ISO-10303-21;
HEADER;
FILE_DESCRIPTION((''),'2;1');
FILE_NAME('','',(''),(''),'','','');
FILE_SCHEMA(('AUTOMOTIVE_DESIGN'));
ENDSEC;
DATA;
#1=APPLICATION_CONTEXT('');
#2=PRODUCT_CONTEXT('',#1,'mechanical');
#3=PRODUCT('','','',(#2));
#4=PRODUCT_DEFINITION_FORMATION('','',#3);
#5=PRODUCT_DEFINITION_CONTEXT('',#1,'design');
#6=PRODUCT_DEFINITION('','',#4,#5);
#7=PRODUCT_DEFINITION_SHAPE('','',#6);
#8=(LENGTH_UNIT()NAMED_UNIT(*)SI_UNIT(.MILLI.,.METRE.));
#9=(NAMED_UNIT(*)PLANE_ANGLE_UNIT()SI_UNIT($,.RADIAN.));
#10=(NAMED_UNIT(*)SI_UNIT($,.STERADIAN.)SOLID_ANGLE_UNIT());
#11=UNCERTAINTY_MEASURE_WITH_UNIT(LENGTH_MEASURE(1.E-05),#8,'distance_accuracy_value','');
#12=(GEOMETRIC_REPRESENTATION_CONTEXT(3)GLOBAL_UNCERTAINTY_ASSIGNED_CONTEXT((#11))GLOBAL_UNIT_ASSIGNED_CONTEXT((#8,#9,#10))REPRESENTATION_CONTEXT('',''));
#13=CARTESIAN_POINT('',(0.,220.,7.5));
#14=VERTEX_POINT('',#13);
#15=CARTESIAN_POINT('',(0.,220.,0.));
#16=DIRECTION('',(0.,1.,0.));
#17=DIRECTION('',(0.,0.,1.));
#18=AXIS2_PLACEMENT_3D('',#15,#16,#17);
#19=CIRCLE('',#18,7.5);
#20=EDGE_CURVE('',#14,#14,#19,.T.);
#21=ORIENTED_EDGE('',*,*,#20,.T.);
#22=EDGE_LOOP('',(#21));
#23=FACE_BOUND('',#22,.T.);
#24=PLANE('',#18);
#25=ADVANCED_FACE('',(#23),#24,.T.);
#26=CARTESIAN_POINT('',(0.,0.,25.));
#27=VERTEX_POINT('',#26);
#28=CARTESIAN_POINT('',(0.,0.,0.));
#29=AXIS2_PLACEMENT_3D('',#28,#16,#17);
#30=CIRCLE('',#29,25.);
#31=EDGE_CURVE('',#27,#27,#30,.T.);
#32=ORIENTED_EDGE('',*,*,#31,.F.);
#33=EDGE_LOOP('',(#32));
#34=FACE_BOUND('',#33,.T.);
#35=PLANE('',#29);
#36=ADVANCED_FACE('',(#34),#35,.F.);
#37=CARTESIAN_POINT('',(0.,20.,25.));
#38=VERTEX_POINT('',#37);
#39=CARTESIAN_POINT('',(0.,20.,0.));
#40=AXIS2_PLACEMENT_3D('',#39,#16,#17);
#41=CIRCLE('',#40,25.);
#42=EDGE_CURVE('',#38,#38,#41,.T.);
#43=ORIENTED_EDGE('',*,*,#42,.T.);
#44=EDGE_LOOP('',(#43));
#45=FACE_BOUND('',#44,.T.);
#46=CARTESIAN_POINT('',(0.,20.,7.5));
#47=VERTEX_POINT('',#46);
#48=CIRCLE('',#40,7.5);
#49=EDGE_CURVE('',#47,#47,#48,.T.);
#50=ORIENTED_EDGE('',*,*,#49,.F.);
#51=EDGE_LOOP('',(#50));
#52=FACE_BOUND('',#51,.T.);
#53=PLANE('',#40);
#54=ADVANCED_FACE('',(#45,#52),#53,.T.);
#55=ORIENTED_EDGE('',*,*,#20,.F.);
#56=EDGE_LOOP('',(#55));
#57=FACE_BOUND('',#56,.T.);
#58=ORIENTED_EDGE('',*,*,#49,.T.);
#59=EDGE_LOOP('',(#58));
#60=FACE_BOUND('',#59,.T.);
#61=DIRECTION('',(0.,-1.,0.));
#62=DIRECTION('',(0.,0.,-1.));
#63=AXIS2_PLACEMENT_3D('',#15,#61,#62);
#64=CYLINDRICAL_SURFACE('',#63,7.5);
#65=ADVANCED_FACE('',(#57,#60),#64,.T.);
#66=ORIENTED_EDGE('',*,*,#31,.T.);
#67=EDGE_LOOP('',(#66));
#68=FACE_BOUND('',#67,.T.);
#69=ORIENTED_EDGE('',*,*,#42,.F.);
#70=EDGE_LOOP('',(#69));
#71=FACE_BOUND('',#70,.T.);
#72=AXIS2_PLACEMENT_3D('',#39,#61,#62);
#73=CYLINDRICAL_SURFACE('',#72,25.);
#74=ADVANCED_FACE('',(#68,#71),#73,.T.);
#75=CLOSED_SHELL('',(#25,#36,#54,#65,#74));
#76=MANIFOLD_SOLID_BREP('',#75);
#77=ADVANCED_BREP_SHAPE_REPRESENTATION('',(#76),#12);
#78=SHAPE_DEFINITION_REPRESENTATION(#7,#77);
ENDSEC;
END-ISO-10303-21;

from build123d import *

# Parameters (mm, degrees)
SKETCH2_R           = 25
BOSS_EXTRUDE3_DEPTH = 20
SKETCH3_R           = 7.5
BOSS_EXTRUDE4_DEPTH = 200


with BuildPart() as part:
    # Sketch2 → Boss-Extrude3 (new body)
    with BuildSketch(Plane(origin=(0, 0, 0), x_dir=(1, 0, 0), z_dir=(0, 1, 0))):
        with Locations(Location((0, 0, 0), (0, 0, 270))):
            Circle(SKETCH2_R)
    extrude(amount=BOSS_EXTRUDE3_DEPTH)

    # Sketch3 → Boss-Extrude4 (add)
    with BuildSketch(Plane(origin=(0, 20, 0), x_dir=(1, 0, 0), z_dir=(0, 1, 0))):
        with Locations(Location((0, 0, 0), (0, 0, 270))):
            Circle(SKETCH3_R)
    extrude(amount=BOSS_EXTRUDE4_DEPTH)


solid = part.part
